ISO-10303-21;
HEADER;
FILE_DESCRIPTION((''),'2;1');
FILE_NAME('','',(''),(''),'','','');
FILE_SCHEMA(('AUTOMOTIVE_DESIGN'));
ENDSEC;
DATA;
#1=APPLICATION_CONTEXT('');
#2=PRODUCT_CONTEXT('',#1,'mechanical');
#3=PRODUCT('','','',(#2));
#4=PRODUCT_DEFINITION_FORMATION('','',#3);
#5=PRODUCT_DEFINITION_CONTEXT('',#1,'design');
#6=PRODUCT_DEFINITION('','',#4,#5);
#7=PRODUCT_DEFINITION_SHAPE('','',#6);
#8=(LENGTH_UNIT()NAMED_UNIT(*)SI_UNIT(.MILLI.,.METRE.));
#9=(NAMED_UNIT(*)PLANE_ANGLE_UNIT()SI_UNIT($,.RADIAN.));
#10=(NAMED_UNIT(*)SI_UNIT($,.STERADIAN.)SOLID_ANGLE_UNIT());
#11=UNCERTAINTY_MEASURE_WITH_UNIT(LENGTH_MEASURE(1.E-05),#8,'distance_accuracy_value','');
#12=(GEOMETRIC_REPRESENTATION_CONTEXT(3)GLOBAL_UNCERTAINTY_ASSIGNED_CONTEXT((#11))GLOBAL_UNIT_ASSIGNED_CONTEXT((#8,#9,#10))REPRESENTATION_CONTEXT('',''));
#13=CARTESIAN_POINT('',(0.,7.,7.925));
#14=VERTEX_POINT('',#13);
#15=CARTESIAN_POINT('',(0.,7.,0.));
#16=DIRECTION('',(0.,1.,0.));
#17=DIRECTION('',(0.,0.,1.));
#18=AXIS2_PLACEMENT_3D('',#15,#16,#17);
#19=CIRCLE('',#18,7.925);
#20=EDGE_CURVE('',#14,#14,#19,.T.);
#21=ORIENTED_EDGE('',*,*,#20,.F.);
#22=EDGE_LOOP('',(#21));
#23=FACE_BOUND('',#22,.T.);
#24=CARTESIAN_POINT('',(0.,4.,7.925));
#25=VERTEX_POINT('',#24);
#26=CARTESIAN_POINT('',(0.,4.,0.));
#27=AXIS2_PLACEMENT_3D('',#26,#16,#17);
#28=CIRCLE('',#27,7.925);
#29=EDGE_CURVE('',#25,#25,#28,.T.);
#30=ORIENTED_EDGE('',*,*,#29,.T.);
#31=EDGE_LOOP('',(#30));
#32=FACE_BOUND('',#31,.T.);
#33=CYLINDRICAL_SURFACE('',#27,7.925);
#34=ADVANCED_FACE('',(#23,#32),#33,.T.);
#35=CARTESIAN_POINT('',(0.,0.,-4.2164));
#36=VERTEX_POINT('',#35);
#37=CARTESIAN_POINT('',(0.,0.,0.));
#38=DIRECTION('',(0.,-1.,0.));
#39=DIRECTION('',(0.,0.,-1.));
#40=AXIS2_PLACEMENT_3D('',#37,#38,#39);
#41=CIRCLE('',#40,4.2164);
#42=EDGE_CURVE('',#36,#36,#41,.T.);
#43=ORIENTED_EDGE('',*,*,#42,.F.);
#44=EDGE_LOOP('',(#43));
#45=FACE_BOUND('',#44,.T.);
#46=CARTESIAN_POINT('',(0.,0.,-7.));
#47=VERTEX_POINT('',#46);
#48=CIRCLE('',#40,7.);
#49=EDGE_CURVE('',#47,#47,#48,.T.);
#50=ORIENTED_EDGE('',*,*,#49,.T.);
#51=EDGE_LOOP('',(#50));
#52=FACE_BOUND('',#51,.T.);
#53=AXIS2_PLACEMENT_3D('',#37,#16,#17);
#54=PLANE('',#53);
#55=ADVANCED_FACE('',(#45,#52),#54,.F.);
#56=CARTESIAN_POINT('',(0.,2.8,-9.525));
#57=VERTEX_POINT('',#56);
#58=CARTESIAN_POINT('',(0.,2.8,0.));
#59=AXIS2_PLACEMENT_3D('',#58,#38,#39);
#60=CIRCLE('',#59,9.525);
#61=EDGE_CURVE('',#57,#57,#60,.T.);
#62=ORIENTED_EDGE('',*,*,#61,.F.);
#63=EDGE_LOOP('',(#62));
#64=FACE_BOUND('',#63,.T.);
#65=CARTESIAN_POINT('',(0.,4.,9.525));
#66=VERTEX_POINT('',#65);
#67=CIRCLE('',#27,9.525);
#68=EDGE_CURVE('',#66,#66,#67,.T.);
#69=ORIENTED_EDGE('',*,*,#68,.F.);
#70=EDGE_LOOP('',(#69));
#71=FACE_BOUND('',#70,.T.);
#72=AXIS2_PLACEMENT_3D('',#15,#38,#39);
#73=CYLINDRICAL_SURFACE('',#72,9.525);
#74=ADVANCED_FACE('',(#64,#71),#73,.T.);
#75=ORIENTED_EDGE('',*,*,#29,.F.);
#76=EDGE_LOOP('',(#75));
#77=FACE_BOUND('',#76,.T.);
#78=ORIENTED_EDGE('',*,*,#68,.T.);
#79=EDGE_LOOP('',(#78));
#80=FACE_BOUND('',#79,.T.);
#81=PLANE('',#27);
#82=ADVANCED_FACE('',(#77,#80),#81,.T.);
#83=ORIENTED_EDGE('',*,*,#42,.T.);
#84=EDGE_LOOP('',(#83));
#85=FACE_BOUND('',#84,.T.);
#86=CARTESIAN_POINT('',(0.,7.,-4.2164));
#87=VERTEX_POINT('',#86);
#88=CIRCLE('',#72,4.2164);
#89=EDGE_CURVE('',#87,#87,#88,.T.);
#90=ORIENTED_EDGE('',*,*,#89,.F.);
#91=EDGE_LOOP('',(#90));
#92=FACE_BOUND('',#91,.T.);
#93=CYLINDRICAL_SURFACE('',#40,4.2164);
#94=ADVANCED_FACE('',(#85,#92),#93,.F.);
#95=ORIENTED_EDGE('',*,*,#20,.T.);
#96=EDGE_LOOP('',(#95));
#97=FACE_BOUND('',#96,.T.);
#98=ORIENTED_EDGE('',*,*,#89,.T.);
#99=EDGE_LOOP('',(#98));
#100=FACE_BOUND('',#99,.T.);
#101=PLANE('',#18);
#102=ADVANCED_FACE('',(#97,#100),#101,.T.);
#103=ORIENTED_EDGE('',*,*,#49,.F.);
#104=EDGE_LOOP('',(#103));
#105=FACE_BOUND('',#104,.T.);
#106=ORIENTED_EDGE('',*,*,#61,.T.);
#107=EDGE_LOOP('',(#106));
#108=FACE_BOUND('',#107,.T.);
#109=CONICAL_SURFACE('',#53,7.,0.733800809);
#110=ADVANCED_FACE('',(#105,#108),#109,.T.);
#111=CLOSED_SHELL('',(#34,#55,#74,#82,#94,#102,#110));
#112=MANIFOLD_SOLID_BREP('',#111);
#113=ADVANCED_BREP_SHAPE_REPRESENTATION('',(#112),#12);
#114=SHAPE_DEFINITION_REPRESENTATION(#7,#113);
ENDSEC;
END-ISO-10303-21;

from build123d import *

# Parameters (mm, degrees)
SKETCH1_R               = 9.525
EXTRUDE1_DEPTH          = 7
SKETCH2_R               = 4
EXTRUDE2_DEPTH          = 16.18062087
F_3_8_24_TAPPED_HOLE2_D = 8.4328
SKETCH3_OUTSIDE_W       = 26.618
SKETCH3_OUTSIDE_H       = 26.618
SKETCH3_OUTSIDE_R       = 7.925
EXTRUDE3_DEPTH          = 3


with BuildPart() as part:
    # Sketch1 → Extrude1 (new body)
    with BuildSketch(Plane(origin=(0, 0, 0), x_dir=(1, 0, 0), z_dir=(0, 1, 0))):
        with Locations(Location((0, 0, 0), (0, 0, 270))):
            Circle(SKETCH1_R)
    extrude(amount=EXTRUDE1_DEPTH)

    # Sketch2 → Extrude2 (cut, through all)
    with BuildSketch(Plane(origin=(0, 0, 0), x_dir=(1, 0, 0), z_dir=(0, 1, 0))):
        Circle(SKETCH2_R)
    extrude(amount=EXTRUDE2_DEPTH, mode=Mode.SUBTRACT)

    # 3_8-24 Tapped Hole2 (through all)
    with Locations(Plane(origin=(0, 0, 0), x_dir=(-1, 0, 0), z_dir=(0, -1, 0))):
        with Locations((0, 0)):
            Hole(F_3_8_24_TAPPED_HOLE2_D / 2)

    # Sketch3 outside → Extrude3 (cut)
    with BuildSketch(Plane(origin=(0, 7, 0), x_dir=(1, 0, 0), z_dir=(0, 1, 0))):
        Rectangle(SKETCH3_OUTSIDE_W, SKETCH3_OUTSIDE_H)
        with Locations(Location((0, 0, 0), (0, 0, 270))):
            Circle(SKETCH3_OUTSIDE_R, mode=Mode.SUBTRACT)
    extrude(amount=-EXTRUDE3_DEPTH, mode=Mode.SUBTRACT)

    # Sketch6 → Cut-Revolve1 (revolve, cut)
    with BuildSketch(Plane.XY, mode=Mode.PRIVATE) as cut_revolve1_sk:
        Polygon((-9.525, 2.8), (-7, 0), (-7, -3.811390031), (-11.858524977, -3.811390031), (-11.858524977, 2.8), align=None)
    revolve(cut_revolve1_sk.sketch.rotate(Axis((0, 0, 0), (0, 1, 0)), 270), axis=Axis((0, 0, 0), (0, 1, 0)), mode=Mode.SUBTRACT)


solid = part.part
